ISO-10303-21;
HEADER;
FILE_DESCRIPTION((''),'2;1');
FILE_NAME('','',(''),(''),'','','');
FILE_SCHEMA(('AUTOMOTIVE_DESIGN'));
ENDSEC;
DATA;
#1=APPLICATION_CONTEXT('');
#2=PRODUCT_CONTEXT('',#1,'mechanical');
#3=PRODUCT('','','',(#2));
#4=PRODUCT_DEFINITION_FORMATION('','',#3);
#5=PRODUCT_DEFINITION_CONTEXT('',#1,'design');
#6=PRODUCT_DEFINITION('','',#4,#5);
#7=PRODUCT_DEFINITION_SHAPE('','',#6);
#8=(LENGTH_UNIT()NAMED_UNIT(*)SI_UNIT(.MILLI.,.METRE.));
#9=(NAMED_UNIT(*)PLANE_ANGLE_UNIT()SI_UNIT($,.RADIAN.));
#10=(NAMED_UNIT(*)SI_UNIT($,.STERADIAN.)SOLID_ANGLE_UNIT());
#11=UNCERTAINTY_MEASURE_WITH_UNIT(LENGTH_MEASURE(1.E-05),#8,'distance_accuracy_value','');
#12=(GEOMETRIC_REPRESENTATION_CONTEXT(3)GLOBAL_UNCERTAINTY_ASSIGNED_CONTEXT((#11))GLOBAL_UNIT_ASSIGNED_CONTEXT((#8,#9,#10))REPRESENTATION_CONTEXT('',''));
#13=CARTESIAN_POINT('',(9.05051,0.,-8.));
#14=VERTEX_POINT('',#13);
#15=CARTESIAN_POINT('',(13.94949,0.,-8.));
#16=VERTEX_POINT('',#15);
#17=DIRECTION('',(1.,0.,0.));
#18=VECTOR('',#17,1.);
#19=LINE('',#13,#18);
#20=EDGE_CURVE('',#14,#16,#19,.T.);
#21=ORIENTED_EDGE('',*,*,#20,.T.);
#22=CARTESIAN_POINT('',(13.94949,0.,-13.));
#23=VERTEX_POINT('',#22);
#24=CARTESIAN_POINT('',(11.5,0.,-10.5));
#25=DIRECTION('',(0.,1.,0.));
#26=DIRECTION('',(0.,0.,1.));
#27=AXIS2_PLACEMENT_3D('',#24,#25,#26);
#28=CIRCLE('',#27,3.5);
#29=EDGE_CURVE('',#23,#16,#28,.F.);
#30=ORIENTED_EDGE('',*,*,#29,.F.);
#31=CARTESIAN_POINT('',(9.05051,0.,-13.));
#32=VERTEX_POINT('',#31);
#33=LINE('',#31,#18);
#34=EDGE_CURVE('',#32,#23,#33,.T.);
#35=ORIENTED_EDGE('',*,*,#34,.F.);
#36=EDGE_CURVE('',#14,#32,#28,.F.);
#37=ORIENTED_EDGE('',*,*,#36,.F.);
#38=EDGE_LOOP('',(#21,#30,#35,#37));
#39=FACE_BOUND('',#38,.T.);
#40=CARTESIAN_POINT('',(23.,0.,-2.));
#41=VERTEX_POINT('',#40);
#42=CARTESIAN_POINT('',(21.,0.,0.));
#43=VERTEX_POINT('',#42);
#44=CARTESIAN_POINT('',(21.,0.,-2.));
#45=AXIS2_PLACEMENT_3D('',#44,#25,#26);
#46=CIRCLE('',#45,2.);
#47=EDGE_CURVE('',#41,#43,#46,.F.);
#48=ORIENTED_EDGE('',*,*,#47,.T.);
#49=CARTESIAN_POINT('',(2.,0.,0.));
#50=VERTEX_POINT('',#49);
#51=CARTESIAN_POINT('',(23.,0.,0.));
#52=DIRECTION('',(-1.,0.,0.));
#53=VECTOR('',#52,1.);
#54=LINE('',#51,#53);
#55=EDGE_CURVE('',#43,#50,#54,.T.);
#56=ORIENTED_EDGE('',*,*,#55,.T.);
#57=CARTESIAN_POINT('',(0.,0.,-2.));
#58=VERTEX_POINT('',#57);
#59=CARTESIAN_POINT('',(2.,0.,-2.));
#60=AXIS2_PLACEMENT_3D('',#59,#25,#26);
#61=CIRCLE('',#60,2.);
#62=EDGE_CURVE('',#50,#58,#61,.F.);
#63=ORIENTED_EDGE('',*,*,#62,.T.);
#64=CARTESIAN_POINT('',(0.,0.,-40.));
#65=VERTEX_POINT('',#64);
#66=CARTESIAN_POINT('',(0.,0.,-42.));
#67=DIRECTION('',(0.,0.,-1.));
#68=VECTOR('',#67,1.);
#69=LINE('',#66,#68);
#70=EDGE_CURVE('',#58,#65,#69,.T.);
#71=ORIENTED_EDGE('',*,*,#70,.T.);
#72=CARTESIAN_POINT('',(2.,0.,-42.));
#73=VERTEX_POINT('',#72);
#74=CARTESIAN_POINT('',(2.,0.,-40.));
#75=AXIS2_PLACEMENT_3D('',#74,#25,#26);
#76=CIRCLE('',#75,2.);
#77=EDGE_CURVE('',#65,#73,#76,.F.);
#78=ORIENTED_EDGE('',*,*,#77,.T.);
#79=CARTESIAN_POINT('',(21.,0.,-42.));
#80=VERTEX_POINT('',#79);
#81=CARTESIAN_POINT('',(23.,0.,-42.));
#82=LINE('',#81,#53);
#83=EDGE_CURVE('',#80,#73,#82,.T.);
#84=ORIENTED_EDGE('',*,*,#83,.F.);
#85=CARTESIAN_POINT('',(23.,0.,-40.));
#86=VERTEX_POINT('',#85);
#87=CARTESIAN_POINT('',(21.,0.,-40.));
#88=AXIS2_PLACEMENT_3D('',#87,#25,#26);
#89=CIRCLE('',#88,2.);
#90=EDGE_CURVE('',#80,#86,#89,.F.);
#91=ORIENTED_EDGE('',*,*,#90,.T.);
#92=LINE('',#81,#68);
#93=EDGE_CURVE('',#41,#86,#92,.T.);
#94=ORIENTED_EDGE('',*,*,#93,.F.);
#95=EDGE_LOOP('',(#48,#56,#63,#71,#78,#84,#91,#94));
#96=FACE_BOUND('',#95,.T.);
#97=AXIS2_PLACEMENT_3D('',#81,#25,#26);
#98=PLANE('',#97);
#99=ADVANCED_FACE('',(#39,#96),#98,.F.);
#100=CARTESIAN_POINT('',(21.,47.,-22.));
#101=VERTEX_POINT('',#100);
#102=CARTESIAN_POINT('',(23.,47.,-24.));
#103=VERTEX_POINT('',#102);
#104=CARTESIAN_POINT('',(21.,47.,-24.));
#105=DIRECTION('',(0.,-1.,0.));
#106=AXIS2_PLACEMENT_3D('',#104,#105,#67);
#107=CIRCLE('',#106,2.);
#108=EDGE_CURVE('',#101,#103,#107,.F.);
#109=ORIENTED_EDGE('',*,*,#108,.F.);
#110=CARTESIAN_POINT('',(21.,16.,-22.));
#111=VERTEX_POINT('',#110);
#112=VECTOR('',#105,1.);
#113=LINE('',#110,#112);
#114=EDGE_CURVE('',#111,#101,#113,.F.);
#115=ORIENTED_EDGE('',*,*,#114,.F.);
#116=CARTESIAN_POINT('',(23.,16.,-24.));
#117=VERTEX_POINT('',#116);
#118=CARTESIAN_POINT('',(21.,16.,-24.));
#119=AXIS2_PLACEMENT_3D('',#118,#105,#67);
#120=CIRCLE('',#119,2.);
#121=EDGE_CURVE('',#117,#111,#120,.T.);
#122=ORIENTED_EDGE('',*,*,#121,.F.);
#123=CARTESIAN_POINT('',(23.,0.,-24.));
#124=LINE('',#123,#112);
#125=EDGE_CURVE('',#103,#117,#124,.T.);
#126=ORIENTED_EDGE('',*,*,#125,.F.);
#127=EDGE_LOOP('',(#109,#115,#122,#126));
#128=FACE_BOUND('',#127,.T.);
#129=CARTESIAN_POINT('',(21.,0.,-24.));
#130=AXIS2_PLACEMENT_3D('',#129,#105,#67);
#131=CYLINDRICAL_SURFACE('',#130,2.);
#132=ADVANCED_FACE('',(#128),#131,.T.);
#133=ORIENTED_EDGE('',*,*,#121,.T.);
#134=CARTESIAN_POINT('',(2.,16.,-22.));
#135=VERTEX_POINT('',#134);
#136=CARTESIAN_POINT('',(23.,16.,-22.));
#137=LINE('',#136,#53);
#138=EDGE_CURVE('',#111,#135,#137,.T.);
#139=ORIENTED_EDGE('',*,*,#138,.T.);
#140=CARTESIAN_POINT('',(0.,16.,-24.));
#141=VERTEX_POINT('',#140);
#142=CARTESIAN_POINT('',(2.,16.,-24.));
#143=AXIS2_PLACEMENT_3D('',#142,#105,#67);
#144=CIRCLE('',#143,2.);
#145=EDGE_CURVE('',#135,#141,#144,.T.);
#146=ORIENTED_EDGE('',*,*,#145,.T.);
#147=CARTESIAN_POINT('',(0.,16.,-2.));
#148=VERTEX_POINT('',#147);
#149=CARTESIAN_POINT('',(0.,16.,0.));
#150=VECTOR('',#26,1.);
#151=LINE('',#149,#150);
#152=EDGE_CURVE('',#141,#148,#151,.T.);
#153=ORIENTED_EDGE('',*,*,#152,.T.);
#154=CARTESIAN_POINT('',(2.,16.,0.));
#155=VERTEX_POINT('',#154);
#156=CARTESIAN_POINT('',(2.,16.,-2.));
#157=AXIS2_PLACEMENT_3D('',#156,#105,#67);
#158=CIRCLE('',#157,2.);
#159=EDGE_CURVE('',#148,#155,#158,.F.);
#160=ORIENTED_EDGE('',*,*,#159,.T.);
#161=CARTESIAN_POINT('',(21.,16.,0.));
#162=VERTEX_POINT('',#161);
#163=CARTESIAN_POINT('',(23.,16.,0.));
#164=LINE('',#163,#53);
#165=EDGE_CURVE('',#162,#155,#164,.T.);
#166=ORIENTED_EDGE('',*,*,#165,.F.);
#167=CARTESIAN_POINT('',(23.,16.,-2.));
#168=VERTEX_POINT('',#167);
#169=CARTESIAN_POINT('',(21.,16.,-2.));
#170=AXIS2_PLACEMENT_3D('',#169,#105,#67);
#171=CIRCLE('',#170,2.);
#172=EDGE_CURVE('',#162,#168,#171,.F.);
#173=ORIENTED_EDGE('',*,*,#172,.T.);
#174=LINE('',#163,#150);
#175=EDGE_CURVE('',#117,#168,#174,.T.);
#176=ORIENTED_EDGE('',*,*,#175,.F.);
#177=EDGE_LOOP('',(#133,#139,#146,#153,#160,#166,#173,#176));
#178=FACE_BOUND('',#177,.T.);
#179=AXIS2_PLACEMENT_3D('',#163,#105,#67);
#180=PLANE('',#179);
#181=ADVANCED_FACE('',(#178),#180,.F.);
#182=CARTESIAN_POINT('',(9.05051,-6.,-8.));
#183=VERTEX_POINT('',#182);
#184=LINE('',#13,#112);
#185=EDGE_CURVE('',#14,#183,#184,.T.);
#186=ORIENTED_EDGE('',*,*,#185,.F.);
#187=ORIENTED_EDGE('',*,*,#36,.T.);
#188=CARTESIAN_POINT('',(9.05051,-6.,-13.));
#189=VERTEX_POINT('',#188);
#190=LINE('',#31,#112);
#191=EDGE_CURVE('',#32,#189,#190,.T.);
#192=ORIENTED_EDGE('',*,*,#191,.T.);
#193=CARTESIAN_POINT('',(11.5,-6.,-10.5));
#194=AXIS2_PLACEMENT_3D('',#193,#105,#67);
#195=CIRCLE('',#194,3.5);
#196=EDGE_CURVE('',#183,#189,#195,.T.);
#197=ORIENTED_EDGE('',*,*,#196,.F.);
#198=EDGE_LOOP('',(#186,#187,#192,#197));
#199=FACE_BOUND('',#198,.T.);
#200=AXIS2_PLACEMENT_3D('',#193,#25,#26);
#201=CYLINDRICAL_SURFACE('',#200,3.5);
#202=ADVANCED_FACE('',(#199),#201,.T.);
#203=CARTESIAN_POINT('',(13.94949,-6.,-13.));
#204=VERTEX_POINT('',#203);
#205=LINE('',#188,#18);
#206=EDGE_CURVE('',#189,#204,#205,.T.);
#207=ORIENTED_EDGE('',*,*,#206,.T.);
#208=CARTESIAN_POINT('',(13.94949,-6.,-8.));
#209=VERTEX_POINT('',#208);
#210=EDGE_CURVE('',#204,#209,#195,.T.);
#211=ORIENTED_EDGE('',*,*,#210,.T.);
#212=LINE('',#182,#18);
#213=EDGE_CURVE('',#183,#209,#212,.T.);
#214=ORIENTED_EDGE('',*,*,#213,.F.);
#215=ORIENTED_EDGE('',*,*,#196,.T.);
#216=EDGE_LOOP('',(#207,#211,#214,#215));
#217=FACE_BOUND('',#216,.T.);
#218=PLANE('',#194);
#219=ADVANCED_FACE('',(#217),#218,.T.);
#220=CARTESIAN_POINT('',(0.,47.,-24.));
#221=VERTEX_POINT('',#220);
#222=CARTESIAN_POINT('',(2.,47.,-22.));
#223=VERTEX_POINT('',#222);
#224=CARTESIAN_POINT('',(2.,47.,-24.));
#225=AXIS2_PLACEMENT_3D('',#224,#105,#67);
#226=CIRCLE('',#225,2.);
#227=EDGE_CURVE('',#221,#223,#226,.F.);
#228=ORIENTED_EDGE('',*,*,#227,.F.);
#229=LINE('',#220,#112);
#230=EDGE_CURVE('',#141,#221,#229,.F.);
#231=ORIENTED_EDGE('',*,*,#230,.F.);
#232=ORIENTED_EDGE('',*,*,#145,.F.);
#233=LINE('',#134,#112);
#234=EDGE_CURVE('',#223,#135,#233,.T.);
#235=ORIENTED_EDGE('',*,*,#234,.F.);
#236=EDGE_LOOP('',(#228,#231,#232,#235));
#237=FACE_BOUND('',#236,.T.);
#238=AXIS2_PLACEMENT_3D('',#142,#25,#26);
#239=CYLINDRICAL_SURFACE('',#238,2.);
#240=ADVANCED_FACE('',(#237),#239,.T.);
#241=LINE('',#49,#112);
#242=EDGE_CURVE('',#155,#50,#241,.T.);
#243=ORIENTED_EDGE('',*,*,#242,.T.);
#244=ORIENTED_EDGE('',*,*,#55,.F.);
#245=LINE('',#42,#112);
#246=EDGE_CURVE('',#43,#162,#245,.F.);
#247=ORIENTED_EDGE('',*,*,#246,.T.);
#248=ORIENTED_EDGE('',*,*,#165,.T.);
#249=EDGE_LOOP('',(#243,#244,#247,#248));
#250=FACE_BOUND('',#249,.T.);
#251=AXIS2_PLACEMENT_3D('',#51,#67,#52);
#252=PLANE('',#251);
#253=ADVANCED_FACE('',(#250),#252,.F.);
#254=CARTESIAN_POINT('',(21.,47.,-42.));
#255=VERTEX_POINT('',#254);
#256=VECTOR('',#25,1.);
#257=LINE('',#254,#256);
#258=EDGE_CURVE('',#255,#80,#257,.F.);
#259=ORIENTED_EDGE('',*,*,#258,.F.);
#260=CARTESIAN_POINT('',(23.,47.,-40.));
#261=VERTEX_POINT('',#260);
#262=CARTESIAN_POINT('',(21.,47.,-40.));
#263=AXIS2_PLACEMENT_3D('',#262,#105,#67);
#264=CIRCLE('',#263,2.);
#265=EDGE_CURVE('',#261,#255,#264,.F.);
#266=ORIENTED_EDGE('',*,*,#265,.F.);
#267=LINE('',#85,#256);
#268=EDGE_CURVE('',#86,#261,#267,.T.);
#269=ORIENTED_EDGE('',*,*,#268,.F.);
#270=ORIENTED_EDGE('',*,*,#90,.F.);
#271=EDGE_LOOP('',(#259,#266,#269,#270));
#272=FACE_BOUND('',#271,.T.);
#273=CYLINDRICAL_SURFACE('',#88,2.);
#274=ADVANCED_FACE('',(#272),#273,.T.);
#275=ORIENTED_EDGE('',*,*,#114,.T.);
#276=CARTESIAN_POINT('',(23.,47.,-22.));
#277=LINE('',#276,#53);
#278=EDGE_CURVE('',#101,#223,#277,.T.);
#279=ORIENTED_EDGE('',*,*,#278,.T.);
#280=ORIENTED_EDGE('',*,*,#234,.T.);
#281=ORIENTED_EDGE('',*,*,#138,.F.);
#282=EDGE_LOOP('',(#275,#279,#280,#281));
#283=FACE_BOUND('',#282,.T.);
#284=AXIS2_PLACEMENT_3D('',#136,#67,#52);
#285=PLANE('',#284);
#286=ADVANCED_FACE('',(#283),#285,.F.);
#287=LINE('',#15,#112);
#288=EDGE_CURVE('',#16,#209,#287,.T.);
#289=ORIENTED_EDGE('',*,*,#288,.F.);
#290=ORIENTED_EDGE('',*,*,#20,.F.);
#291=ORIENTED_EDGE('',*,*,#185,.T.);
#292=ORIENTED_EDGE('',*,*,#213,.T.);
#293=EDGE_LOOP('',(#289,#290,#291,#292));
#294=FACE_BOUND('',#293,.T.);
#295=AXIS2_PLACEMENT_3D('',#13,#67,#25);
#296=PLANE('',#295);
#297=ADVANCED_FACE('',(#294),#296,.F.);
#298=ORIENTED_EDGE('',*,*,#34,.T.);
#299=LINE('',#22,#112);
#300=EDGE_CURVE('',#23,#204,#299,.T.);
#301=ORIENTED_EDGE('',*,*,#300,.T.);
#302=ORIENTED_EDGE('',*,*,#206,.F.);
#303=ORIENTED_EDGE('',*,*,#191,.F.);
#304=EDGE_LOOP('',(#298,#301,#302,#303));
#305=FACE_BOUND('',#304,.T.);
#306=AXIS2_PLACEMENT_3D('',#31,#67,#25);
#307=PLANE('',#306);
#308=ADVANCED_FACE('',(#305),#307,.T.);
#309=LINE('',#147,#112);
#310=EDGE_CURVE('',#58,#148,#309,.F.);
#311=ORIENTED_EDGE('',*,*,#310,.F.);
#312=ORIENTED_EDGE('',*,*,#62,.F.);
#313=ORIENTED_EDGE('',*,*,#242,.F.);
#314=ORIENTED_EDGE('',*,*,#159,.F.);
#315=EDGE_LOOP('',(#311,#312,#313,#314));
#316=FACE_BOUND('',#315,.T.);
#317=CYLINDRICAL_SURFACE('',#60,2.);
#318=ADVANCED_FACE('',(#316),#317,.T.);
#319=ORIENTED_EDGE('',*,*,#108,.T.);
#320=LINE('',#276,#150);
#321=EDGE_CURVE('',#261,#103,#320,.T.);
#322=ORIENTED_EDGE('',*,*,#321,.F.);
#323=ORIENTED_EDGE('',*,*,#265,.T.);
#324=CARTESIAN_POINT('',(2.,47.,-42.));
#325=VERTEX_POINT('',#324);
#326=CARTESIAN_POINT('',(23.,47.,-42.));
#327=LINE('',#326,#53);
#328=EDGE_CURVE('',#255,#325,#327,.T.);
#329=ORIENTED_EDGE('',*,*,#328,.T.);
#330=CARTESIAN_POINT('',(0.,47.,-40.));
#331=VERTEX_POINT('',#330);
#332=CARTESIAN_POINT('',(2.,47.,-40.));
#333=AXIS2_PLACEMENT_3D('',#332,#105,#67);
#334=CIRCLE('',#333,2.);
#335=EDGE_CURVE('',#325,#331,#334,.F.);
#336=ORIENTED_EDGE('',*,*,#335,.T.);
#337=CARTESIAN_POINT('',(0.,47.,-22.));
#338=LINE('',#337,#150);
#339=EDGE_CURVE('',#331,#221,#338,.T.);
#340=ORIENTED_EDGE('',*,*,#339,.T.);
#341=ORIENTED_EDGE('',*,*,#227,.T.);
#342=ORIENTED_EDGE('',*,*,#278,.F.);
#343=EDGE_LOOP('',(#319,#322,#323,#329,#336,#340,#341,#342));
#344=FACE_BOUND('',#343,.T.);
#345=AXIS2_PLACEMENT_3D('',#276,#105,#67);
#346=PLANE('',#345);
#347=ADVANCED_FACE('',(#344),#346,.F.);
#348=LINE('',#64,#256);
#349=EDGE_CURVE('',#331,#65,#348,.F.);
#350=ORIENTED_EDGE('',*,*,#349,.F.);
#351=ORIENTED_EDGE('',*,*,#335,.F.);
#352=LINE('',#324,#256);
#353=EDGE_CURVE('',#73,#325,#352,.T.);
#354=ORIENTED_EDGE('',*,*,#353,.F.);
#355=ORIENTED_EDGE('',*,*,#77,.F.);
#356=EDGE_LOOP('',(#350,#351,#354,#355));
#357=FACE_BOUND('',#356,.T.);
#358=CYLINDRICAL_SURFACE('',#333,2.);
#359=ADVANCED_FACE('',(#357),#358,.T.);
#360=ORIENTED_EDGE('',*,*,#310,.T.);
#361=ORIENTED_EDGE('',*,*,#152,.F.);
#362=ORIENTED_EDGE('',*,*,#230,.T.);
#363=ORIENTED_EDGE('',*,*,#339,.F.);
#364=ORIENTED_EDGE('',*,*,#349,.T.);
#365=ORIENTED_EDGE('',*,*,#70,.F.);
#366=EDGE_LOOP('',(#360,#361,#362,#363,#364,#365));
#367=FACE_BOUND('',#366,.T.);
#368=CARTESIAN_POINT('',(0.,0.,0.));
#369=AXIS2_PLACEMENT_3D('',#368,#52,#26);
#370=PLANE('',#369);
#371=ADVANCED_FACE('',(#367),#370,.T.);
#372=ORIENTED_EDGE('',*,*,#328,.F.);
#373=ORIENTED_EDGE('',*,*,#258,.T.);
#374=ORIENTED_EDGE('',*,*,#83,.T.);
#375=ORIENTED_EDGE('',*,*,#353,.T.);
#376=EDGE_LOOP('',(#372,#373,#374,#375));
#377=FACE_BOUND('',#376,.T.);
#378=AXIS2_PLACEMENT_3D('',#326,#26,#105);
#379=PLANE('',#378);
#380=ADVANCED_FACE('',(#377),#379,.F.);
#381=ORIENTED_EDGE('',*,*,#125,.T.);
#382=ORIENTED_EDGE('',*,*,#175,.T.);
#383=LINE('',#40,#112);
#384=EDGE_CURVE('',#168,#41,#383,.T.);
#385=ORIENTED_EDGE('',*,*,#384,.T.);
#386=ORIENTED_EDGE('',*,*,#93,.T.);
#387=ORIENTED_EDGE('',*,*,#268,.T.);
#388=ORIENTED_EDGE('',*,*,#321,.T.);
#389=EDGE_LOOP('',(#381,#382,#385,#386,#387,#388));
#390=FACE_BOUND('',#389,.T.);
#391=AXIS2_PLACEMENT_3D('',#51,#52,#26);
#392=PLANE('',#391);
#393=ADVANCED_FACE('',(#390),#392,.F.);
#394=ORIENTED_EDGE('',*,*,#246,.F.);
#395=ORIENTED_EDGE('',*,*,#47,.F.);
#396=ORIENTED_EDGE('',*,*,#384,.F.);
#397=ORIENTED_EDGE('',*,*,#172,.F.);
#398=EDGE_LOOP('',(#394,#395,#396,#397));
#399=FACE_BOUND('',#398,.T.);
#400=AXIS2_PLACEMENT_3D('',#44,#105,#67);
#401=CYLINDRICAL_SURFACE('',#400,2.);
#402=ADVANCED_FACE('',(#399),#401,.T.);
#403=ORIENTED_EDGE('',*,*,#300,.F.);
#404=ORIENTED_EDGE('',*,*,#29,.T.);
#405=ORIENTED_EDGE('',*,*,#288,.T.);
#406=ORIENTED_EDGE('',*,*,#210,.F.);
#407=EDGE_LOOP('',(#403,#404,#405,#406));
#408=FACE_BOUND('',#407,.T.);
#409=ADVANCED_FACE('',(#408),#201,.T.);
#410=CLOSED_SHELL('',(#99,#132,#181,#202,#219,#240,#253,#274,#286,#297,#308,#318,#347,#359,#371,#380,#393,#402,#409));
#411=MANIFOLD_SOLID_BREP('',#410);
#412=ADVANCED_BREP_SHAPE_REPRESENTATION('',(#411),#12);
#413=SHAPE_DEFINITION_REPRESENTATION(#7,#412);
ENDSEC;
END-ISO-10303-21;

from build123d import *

# Parameters (mm, degrees)
BOSS_EXTRUDE1_DEPTH = 23
SKETCH2_R           = 3.5
BOSS_EXTRUDE2_DEPTH = 6
FILLET3_R           = 2
FILLET4_R           = 2
FILLET5_R           = 2
FILLET6_R           = 2
FILLET7_R           = 2
FILLET8_R           = 2
CUT_EXTRUDE2_START  = -6
CUT_EXTRUDE2_DEPTH  = 6


with BuildPart() as part:
    # Sketch1 → Boss-Extrude1 (new body)
    with BuildSketch(Plane(origin=(0, 0, 0), x_dir=(0, 0, -1), z_dir=(1, 0, 0))):
        Polygon((0, 0), (0, 16), (22, 16), (22, 47), (42, 47), (42, 0), align=None)
    extrude(amount=BOSS_EXTRUDE1_DEPTH)

    # Sketch2 → Boss-Extrude2 (add)
    with BuildSketch(Plane(origin=(0, 0, 0), x_dir=(-1, 0, 0), z_dir=(0, -1, 0))):
        with Locations(Location((-11.5, 10.5, 0), (0, 0, 270))):
            Circle(SKETCH2_R)
    extrude(amount=BOSS_EXTRUDE2_DEPTH)

    # Fillet3
    fillet3_edges = [part.edges().sort_by_distance(p)[0] for p in [
        (23, 8, 0),
    ]]
    fillet(fillet3_edges, radius=FILLET3_R)

    # Fillet4
    fillet4_edges = [part.edges().sort_by_distance(p)[0] for p in [
        (0, 8, 0),
    ]]
    fillet(fillet4_edges, radius=FILLET4_R)

    # Fillet5
    fillet5_edges = [part.edges().sort_by_distance(p)[0] for p in [
        (23, 23.5, -42),
    ]]
    fillet(fillet5_edges, radius=FILLET5_R)

    # Fillet6
    fillet6_edges = [part.edges().sort_by_distance(p)[0] for p in [
        (0, 23.5, -42),
    ]]
    fillet(fillet6_edges, radius=FILLET6_R)

    # Fillet7
    fillet7_edges = [part.edges().sort_by_distance(p)[0] for p in [
        (0, 31.5, -22),
    ]]
    fillet(fillet7_edges, radius=FILLET7_R)

    # Fillet8
    fillet8_edges = [part.edges().sort_by_distance(p)[0] for p in [
        (23, 31.5, -22),
    ]]
    fillet(fillet8_edges, radius=FILLET8_R)

    # Sketch3 → Cut-Extrude2 (cut)
    with BuildSketch(Plane.XZ.offset(6).offset(CUT_EXTRUDE2_START)):
        with BuildLine():
            Line((9.050510257, -13), (13.949489743, -13))
            ThreePointArc((13.949489743, -13), (11.5, -14), (9.050510257, -13))
        make_face()
        with BuildLine():
            Line((9.050510257, -8), (13.949489743, -8))
            ThreePointArc((13.949489743, -8), (11.5, -7), (9.050510257, -8))
        make_face()
    extrude(amount=CUT_EXTRUDE2_DEPTH, mode=Mode.SUBTRACT)


solid = part.part
